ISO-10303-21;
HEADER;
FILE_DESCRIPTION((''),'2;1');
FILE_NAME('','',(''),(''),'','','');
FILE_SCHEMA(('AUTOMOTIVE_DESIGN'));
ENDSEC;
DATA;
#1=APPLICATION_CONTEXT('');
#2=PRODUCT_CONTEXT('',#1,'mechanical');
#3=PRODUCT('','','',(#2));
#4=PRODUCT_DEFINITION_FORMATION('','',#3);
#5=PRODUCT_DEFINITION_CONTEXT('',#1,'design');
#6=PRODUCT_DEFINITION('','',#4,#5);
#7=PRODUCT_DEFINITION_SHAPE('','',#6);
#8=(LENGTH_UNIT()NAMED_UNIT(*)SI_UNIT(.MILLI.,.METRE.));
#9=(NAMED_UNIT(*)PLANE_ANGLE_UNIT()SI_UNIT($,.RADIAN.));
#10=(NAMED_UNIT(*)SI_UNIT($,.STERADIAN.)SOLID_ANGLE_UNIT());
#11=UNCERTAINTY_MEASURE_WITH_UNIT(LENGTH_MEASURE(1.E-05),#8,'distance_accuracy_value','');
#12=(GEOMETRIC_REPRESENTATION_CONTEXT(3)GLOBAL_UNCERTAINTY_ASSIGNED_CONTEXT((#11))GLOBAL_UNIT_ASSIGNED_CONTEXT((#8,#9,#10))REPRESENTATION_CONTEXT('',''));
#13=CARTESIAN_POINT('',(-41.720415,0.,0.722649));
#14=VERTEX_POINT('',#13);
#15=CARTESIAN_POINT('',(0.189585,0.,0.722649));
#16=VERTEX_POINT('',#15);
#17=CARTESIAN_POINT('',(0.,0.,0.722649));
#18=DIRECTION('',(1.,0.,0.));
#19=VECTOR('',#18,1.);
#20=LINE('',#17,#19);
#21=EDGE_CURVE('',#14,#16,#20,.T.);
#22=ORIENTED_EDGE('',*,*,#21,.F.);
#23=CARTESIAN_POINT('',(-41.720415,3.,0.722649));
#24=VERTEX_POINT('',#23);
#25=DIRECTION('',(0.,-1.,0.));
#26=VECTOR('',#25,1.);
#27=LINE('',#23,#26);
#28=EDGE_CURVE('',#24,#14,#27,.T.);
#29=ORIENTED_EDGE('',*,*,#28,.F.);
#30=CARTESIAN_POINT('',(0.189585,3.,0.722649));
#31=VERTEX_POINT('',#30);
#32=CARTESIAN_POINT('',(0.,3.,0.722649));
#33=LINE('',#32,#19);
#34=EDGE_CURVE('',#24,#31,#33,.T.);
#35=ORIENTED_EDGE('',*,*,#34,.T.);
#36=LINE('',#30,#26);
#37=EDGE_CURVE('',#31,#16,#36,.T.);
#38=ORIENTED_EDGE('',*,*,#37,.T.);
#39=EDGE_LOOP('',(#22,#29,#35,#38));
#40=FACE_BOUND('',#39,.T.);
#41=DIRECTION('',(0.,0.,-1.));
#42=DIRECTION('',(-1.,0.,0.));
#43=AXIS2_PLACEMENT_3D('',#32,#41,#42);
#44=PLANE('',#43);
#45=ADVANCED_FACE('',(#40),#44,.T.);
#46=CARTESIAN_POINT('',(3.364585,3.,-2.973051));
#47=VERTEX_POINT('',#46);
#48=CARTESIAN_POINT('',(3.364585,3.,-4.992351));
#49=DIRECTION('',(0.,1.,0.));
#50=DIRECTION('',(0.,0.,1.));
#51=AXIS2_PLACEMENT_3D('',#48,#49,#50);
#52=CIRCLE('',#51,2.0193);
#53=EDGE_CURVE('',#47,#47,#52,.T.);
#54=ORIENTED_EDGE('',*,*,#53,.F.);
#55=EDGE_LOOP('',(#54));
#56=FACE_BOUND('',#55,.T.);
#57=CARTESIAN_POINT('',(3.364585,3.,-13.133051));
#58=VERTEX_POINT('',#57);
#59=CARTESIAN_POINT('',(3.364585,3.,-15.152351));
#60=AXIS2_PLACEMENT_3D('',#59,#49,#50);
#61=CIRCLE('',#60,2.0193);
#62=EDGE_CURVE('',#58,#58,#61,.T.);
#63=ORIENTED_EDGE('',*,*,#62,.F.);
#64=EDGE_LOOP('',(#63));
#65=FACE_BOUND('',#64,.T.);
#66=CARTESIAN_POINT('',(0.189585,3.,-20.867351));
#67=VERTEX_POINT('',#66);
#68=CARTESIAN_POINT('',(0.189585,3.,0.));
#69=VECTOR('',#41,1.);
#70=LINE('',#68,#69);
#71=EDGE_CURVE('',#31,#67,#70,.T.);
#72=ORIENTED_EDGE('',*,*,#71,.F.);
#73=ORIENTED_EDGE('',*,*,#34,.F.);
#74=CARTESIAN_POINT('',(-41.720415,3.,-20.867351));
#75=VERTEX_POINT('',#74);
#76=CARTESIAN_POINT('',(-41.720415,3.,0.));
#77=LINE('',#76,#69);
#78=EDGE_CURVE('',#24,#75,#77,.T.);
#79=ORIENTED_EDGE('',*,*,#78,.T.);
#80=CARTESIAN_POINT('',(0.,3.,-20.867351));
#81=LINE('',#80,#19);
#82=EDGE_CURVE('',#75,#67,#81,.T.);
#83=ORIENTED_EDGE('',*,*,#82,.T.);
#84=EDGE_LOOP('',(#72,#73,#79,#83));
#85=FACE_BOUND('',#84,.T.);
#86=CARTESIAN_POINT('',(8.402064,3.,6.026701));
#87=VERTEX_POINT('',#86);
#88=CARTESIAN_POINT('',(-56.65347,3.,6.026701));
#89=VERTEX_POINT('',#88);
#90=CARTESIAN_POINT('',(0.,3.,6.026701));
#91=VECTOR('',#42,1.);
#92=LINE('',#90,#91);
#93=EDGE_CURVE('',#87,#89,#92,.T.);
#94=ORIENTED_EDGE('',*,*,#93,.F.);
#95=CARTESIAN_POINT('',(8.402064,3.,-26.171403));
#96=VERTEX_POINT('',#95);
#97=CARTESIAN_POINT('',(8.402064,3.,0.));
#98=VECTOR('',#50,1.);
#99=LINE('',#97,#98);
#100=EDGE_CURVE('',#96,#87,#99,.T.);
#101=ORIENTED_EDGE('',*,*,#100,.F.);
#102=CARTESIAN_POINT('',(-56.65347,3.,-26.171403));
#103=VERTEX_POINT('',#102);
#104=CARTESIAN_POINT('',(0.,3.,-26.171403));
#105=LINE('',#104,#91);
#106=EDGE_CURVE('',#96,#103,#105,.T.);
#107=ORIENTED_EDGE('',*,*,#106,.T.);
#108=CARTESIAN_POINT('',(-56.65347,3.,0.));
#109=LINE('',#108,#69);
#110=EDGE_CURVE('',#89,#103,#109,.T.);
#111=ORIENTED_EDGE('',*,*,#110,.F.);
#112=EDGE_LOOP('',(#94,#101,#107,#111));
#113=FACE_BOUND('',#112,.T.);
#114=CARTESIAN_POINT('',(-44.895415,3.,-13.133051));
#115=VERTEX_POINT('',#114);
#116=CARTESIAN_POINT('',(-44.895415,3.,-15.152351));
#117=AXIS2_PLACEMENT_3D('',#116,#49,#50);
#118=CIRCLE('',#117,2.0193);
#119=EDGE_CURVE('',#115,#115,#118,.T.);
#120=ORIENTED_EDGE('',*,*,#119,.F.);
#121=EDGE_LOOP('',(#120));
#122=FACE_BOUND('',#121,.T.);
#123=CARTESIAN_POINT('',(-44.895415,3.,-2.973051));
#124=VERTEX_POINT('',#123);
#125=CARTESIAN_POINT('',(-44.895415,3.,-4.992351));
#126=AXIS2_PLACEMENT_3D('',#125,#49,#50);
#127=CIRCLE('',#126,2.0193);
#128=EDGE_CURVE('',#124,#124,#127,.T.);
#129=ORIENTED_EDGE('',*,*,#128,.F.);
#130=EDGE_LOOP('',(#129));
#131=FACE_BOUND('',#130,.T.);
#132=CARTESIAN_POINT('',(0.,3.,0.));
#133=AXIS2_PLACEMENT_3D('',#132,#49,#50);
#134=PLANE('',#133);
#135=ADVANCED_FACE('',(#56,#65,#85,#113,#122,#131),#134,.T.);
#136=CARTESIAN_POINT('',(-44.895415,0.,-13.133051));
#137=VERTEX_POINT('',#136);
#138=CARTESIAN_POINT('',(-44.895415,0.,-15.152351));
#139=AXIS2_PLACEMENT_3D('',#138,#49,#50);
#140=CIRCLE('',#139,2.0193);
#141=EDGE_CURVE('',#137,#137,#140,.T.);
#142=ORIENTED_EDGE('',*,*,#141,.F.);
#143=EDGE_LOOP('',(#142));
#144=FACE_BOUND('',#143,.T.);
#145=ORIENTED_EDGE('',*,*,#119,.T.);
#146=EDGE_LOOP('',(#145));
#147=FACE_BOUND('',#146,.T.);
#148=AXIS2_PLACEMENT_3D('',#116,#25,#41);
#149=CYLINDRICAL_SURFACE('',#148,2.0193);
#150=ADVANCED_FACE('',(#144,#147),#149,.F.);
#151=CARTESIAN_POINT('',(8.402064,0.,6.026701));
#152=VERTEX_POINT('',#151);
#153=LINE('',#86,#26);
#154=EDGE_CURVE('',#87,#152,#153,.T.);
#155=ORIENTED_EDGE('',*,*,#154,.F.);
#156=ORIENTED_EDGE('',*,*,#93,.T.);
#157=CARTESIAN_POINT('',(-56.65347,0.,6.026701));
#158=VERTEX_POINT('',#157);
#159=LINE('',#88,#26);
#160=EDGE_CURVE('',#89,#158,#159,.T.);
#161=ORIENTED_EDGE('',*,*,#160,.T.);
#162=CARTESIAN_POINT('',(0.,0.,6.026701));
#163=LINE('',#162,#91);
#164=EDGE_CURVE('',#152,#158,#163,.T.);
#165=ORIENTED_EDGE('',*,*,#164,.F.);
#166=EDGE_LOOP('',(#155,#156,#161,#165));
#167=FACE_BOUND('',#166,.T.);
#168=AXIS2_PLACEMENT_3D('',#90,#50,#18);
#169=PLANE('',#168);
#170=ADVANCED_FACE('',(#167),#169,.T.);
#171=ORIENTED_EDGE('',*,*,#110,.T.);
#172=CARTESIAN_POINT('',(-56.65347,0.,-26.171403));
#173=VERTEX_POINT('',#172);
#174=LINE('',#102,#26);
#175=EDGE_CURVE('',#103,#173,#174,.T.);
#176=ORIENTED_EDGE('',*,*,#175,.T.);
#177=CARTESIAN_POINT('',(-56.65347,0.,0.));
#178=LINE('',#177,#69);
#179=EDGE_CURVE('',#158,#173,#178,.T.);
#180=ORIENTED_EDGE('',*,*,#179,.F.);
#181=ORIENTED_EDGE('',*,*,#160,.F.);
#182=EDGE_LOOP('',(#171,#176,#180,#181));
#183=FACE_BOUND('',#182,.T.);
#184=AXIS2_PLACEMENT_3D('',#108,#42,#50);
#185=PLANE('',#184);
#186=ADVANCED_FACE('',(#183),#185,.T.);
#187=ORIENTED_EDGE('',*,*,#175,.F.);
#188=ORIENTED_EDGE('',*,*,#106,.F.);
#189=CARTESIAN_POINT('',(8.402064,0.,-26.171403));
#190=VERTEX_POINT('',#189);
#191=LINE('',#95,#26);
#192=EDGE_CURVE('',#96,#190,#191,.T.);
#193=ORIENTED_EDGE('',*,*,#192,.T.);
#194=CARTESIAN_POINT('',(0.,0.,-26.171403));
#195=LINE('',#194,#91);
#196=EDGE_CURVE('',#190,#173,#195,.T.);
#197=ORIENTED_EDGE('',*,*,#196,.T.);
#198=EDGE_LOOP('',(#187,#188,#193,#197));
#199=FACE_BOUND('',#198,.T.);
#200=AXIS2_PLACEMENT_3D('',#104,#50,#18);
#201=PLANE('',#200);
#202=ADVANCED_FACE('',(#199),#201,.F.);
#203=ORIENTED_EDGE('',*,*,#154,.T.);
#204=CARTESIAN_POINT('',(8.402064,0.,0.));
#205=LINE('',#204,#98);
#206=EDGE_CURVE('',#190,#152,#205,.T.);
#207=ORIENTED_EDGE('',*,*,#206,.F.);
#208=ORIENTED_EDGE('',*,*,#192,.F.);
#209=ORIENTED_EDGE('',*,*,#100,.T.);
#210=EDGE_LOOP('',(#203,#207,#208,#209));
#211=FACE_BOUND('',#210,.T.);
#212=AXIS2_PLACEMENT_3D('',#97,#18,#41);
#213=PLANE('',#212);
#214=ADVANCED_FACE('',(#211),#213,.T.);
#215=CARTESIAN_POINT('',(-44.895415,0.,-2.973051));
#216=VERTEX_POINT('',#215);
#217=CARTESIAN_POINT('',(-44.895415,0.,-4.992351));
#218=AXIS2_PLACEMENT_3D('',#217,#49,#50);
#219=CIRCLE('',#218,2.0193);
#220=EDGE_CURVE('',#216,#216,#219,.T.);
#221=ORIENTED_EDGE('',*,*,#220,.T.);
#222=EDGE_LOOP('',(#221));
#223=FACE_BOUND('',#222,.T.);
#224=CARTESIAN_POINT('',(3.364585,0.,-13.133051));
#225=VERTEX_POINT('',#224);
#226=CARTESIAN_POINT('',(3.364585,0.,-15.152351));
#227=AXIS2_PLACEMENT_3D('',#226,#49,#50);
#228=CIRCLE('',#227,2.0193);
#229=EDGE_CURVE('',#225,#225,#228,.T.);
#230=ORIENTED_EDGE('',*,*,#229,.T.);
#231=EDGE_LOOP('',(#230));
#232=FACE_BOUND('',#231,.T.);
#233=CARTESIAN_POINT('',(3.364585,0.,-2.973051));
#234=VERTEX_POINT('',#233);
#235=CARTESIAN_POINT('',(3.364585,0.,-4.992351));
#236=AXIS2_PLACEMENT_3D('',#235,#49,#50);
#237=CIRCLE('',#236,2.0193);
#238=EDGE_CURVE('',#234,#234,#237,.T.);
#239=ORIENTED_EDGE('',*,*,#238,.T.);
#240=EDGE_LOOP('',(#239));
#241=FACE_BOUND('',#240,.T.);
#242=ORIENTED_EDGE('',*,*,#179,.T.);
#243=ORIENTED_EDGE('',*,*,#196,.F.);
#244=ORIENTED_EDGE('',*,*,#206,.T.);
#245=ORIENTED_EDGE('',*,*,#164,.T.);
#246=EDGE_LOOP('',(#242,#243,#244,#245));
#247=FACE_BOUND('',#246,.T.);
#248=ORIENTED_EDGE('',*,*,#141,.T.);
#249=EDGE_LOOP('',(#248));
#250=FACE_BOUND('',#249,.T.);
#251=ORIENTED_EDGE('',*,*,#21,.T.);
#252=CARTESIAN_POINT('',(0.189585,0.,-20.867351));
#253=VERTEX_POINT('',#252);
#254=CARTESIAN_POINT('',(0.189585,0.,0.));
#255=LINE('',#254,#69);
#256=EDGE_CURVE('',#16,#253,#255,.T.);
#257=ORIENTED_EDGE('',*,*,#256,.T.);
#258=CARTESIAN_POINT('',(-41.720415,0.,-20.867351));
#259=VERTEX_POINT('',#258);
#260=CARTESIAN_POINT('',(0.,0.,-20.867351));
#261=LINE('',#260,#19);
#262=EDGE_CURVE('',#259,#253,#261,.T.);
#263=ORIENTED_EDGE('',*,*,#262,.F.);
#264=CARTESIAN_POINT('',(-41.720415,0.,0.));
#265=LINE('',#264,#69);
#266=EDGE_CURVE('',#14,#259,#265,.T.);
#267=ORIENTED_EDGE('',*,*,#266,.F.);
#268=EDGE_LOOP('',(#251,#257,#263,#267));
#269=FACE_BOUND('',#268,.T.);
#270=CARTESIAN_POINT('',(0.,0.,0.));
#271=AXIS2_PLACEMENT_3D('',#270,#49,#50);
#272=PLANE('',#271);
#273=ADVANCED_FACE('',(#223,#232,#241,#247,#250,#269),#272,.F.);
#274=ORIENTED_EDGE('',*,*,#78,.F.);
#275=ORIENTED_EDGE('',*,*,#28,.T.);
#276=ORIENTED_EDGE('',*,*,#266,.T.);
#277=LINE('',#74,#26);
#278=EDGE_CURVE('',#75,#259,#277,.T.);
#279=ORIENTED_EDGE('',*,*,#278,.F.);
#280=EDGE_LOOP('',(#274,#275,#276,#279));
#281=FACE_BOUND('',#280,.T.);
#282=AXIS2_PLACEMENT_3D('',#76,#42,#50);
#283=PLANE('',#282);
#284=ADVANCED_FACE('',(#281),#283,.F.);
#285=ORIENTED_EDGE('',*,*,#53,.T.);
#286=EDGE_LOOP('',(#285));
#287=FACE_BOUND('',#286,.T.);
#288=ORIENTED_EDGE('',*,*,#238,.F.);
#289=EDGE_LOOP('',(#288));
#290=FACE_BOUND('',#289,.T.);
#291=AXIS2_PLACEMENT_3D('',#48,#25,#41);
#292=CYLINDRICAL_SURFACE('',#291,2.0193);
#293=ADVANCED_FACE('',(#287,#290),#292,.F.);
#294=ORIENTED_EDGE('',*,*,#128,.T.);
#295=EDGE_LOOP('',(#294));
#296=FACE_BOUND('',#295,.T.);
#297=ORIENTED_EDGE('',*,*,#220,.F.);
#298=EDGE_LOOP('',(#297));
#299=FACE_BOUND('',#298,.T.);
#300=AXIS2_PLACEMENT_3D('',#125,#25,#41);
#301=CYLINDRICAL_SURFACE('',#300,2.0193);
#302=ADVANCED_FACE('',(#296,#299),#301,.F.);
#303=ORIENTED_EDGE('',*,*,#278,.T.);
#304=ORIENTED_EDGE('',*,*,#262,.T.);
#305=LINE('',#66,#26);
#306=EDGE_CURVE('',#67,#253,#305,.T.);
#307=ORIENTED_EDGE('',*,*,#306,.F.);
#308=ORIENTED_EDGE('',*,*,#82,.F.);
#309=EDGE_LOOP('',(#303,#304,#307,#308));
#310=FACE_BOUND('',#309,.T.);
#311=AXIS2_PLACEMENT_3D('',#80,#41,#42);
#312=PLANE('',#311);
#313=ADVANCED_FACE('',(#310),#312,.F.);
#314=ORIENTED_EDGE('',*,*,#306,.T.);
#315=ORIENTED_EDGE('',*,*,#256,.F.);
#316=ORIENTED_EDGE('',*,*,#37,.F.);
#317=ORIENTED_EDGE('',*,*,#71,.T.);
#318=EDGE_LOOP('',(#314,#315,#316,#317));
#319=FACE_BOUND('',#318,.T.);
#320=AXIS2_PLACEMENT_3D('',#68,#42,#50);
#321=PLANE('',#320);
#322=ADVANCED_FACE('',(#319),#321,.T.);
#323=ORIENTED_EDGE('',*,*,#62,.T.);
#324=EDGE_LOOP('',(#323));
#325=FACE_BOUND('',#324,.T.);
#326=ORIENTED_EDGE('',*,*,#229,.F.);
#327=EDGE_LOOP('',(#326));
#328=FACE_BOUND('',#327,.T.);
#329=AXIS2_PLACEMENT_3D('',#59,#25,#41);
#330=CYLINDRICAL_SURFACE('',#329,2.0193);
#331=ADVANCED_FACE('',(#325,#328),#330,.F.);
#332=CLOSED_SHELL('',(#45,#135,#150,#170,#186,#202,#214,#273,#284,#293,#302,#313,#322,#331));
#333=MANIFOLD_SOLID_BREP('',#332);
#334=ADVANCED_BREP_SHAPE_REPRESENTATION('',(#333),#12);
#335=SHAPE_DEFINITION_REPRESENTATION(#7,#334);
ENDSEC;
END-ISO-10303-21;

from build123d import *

# Parameters (mm, degrees)
SKETCH1_R           = 2.0193
SKETCH1_W           = 41.91
SKETCH1_H           = 5.304051748
BOSS_EXTRUDE1_DEPTH = 3


with BuildPart() as part:
    # Sketch1 → Boss-Extrude1 (new body)
    # profile 1 of 2: a face of its own
    with BuildSketch(Plane(origin=(0, 0, 0), x_dir=(1, 0, 0), z_dir=(0, 1, 0))):
        Polygon((0.189585243, 26.171402615), (0.189585243, 20.867350867), (0.189585243, -0.722649133), (-41.720414757, -0.722649133), (-41.720414757, 8.08226518), (-41.720414757, 12.010049159), (-41.720414757, 20.867350867), (-41.720414757, 26.171402615), (-56.653469857, 26.171402615), (-56.653469857, -6.026700881), (8.402064139, -6.026700881), (8.402064139, 26.171402615), align=None)
        with Locations(Location((-44.895414757, 4.992350867, 0), (0, 0, 270))):
            Circle(SKETCH1_R, mode=Mode.SUBTRACT)
        with Locations(Location((3.364585243, 4.992350867, 0), (0, 0, 270))):
            Circle(SKETCH1_R, mode=Mode.SUBTRACT)
        with Locations(Location((-44.895414757, 15.152350867, 0), (0, 0, 270))):
            Circle(SKETCH1_R, mode=Mode.SUBTRACT)
        with Locations(Location((3.364585243, 15.152350867, 0), (0, 0, 270))):
            Circle(SKETCH1_R, mode=Mode.SUBTRACT)
    # profile 2 of 2: a face of its own
    with BuildSketch(Plane(origin=(0, 0, 0), x_dir=(1, 0, 0), z_dir=(0, 1, 0))):
        with Locations((-20.765414757, 23.519376741)):
            Rectangle(SKETCH1_W, SKETCH1_H)
    extrude(amount=BOSS_EXTRUDE1_DEPTH)


solid = part.part
